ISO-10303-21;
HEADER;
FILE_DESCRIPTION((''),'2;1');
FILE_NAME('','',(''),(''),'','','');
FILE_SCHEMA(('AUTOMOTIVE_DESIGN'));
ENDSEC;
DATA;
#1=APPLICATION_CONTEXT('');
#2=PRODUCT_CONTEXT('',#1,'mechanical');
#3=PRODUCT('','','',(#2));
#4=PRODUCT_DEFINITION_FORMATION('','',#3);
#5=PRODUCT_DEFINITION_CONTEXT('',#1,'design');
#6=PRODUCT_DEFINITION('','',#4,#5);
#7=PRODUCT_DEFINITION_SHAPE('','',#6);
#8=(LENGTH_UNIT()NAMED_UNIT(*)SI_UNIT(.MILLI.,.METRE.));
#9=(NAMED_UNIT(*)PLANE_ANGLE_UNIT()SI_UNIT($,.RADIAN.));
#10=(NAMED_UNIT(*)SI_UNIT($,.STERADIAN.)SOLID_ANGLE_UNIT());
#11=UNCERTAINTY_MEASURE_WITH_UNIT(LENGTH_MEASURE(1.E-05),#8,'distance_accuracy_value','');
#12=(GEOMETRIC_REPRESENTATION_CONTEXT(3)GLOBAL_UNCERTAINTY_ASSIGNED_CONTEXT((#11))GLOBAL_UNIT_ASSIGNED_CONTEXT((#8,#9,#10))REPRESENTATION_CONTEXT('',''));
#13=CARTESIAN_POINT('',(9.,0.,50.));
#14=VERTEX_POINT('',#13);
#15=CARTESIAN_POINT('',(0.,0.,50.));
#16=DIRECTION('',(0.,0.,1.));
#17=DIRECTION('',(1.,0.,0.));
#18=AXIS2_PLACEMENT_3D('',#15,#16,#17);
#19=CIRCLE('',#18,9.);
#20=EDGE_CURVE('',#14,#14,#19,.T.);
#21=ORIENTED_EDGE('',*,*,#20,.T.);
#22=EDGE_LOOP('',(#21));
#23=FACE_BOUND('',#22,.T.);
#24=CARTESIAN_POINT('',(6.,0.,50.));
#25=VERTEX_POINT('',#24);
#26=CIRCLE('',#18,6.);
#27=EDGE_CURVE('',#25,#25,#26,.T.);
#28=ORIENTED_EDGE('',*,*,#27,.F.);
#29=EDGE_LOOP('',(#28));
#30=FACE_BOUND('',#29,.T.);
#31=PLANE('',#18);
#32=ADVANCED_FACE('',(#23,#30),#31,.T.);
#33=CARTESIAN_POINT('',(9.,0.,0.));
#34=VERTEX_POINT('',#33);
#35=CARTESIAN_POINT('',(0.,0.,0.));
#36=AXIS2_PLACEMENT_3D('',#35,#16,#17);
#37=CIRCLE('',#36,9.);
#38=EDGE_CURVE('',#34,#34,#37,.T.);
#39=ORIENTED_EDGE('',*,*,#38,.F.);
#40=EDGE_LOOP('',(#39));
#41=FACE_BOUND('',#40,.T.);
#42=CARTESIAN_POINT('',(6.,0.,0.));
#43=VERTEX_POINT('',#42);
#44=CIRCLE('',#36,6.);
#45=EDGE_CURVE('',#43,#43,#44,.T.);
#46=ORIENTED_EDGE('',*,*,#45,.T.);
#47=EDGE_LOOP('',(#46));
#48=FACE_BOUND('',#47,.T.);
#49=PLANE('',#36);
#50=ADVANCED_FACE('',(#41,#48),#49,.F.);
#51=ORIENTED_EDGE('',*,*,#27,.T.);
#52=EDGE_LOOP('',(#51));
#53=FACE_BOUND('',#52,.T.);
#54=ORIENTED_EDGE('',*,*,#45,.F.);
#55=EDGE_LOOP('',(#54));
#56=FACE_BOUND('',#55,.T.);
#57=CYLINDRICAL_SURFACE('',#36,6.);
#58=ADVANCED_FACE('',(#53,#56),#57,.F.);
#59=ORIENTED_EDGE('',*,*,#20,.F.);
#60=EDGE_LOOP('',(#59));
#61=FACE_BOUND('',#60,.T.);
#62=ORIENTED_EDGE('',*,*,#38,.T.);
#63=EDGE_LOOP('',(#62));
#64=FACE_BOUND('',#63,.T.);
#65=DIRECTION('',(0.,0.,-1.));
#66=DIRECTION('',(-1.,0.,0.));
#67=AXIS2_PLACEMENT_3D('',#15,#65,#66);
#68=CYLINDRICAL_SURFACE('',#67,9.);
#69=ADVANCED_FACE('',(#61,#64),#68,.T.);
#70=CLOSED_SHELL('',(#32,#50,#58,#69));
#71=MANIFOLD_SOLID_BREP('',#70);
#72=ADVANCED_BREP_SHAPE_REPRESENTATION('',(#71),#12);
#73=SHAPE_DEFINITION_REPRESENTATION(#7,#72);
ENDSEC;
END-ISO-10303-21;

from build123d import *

# Parameters (mm, degrees)
SKETCH_1_R   = 9
SLEEVE_DEPTH = 50
SKETCH_2_R   = 6
BORE_DEPTH   = 52.594573358


with BuildPart() as part:
    # 草图1 → Sleeve (new body)
    with BuildSketch(Plane.XY):
        Circle(SKETCH_1_R)
    extrude(amount=SLEEVE_DEPTH)

    # 草图2 → Bore (cut, through all)
    with BuildSketch(Plane.XY.offset(50)):
        Circle(SKETCH_2_R)
    extrude(amount=-BORE_DEPTH, mode=Mode.SUBTRACT)


solid = part.part
